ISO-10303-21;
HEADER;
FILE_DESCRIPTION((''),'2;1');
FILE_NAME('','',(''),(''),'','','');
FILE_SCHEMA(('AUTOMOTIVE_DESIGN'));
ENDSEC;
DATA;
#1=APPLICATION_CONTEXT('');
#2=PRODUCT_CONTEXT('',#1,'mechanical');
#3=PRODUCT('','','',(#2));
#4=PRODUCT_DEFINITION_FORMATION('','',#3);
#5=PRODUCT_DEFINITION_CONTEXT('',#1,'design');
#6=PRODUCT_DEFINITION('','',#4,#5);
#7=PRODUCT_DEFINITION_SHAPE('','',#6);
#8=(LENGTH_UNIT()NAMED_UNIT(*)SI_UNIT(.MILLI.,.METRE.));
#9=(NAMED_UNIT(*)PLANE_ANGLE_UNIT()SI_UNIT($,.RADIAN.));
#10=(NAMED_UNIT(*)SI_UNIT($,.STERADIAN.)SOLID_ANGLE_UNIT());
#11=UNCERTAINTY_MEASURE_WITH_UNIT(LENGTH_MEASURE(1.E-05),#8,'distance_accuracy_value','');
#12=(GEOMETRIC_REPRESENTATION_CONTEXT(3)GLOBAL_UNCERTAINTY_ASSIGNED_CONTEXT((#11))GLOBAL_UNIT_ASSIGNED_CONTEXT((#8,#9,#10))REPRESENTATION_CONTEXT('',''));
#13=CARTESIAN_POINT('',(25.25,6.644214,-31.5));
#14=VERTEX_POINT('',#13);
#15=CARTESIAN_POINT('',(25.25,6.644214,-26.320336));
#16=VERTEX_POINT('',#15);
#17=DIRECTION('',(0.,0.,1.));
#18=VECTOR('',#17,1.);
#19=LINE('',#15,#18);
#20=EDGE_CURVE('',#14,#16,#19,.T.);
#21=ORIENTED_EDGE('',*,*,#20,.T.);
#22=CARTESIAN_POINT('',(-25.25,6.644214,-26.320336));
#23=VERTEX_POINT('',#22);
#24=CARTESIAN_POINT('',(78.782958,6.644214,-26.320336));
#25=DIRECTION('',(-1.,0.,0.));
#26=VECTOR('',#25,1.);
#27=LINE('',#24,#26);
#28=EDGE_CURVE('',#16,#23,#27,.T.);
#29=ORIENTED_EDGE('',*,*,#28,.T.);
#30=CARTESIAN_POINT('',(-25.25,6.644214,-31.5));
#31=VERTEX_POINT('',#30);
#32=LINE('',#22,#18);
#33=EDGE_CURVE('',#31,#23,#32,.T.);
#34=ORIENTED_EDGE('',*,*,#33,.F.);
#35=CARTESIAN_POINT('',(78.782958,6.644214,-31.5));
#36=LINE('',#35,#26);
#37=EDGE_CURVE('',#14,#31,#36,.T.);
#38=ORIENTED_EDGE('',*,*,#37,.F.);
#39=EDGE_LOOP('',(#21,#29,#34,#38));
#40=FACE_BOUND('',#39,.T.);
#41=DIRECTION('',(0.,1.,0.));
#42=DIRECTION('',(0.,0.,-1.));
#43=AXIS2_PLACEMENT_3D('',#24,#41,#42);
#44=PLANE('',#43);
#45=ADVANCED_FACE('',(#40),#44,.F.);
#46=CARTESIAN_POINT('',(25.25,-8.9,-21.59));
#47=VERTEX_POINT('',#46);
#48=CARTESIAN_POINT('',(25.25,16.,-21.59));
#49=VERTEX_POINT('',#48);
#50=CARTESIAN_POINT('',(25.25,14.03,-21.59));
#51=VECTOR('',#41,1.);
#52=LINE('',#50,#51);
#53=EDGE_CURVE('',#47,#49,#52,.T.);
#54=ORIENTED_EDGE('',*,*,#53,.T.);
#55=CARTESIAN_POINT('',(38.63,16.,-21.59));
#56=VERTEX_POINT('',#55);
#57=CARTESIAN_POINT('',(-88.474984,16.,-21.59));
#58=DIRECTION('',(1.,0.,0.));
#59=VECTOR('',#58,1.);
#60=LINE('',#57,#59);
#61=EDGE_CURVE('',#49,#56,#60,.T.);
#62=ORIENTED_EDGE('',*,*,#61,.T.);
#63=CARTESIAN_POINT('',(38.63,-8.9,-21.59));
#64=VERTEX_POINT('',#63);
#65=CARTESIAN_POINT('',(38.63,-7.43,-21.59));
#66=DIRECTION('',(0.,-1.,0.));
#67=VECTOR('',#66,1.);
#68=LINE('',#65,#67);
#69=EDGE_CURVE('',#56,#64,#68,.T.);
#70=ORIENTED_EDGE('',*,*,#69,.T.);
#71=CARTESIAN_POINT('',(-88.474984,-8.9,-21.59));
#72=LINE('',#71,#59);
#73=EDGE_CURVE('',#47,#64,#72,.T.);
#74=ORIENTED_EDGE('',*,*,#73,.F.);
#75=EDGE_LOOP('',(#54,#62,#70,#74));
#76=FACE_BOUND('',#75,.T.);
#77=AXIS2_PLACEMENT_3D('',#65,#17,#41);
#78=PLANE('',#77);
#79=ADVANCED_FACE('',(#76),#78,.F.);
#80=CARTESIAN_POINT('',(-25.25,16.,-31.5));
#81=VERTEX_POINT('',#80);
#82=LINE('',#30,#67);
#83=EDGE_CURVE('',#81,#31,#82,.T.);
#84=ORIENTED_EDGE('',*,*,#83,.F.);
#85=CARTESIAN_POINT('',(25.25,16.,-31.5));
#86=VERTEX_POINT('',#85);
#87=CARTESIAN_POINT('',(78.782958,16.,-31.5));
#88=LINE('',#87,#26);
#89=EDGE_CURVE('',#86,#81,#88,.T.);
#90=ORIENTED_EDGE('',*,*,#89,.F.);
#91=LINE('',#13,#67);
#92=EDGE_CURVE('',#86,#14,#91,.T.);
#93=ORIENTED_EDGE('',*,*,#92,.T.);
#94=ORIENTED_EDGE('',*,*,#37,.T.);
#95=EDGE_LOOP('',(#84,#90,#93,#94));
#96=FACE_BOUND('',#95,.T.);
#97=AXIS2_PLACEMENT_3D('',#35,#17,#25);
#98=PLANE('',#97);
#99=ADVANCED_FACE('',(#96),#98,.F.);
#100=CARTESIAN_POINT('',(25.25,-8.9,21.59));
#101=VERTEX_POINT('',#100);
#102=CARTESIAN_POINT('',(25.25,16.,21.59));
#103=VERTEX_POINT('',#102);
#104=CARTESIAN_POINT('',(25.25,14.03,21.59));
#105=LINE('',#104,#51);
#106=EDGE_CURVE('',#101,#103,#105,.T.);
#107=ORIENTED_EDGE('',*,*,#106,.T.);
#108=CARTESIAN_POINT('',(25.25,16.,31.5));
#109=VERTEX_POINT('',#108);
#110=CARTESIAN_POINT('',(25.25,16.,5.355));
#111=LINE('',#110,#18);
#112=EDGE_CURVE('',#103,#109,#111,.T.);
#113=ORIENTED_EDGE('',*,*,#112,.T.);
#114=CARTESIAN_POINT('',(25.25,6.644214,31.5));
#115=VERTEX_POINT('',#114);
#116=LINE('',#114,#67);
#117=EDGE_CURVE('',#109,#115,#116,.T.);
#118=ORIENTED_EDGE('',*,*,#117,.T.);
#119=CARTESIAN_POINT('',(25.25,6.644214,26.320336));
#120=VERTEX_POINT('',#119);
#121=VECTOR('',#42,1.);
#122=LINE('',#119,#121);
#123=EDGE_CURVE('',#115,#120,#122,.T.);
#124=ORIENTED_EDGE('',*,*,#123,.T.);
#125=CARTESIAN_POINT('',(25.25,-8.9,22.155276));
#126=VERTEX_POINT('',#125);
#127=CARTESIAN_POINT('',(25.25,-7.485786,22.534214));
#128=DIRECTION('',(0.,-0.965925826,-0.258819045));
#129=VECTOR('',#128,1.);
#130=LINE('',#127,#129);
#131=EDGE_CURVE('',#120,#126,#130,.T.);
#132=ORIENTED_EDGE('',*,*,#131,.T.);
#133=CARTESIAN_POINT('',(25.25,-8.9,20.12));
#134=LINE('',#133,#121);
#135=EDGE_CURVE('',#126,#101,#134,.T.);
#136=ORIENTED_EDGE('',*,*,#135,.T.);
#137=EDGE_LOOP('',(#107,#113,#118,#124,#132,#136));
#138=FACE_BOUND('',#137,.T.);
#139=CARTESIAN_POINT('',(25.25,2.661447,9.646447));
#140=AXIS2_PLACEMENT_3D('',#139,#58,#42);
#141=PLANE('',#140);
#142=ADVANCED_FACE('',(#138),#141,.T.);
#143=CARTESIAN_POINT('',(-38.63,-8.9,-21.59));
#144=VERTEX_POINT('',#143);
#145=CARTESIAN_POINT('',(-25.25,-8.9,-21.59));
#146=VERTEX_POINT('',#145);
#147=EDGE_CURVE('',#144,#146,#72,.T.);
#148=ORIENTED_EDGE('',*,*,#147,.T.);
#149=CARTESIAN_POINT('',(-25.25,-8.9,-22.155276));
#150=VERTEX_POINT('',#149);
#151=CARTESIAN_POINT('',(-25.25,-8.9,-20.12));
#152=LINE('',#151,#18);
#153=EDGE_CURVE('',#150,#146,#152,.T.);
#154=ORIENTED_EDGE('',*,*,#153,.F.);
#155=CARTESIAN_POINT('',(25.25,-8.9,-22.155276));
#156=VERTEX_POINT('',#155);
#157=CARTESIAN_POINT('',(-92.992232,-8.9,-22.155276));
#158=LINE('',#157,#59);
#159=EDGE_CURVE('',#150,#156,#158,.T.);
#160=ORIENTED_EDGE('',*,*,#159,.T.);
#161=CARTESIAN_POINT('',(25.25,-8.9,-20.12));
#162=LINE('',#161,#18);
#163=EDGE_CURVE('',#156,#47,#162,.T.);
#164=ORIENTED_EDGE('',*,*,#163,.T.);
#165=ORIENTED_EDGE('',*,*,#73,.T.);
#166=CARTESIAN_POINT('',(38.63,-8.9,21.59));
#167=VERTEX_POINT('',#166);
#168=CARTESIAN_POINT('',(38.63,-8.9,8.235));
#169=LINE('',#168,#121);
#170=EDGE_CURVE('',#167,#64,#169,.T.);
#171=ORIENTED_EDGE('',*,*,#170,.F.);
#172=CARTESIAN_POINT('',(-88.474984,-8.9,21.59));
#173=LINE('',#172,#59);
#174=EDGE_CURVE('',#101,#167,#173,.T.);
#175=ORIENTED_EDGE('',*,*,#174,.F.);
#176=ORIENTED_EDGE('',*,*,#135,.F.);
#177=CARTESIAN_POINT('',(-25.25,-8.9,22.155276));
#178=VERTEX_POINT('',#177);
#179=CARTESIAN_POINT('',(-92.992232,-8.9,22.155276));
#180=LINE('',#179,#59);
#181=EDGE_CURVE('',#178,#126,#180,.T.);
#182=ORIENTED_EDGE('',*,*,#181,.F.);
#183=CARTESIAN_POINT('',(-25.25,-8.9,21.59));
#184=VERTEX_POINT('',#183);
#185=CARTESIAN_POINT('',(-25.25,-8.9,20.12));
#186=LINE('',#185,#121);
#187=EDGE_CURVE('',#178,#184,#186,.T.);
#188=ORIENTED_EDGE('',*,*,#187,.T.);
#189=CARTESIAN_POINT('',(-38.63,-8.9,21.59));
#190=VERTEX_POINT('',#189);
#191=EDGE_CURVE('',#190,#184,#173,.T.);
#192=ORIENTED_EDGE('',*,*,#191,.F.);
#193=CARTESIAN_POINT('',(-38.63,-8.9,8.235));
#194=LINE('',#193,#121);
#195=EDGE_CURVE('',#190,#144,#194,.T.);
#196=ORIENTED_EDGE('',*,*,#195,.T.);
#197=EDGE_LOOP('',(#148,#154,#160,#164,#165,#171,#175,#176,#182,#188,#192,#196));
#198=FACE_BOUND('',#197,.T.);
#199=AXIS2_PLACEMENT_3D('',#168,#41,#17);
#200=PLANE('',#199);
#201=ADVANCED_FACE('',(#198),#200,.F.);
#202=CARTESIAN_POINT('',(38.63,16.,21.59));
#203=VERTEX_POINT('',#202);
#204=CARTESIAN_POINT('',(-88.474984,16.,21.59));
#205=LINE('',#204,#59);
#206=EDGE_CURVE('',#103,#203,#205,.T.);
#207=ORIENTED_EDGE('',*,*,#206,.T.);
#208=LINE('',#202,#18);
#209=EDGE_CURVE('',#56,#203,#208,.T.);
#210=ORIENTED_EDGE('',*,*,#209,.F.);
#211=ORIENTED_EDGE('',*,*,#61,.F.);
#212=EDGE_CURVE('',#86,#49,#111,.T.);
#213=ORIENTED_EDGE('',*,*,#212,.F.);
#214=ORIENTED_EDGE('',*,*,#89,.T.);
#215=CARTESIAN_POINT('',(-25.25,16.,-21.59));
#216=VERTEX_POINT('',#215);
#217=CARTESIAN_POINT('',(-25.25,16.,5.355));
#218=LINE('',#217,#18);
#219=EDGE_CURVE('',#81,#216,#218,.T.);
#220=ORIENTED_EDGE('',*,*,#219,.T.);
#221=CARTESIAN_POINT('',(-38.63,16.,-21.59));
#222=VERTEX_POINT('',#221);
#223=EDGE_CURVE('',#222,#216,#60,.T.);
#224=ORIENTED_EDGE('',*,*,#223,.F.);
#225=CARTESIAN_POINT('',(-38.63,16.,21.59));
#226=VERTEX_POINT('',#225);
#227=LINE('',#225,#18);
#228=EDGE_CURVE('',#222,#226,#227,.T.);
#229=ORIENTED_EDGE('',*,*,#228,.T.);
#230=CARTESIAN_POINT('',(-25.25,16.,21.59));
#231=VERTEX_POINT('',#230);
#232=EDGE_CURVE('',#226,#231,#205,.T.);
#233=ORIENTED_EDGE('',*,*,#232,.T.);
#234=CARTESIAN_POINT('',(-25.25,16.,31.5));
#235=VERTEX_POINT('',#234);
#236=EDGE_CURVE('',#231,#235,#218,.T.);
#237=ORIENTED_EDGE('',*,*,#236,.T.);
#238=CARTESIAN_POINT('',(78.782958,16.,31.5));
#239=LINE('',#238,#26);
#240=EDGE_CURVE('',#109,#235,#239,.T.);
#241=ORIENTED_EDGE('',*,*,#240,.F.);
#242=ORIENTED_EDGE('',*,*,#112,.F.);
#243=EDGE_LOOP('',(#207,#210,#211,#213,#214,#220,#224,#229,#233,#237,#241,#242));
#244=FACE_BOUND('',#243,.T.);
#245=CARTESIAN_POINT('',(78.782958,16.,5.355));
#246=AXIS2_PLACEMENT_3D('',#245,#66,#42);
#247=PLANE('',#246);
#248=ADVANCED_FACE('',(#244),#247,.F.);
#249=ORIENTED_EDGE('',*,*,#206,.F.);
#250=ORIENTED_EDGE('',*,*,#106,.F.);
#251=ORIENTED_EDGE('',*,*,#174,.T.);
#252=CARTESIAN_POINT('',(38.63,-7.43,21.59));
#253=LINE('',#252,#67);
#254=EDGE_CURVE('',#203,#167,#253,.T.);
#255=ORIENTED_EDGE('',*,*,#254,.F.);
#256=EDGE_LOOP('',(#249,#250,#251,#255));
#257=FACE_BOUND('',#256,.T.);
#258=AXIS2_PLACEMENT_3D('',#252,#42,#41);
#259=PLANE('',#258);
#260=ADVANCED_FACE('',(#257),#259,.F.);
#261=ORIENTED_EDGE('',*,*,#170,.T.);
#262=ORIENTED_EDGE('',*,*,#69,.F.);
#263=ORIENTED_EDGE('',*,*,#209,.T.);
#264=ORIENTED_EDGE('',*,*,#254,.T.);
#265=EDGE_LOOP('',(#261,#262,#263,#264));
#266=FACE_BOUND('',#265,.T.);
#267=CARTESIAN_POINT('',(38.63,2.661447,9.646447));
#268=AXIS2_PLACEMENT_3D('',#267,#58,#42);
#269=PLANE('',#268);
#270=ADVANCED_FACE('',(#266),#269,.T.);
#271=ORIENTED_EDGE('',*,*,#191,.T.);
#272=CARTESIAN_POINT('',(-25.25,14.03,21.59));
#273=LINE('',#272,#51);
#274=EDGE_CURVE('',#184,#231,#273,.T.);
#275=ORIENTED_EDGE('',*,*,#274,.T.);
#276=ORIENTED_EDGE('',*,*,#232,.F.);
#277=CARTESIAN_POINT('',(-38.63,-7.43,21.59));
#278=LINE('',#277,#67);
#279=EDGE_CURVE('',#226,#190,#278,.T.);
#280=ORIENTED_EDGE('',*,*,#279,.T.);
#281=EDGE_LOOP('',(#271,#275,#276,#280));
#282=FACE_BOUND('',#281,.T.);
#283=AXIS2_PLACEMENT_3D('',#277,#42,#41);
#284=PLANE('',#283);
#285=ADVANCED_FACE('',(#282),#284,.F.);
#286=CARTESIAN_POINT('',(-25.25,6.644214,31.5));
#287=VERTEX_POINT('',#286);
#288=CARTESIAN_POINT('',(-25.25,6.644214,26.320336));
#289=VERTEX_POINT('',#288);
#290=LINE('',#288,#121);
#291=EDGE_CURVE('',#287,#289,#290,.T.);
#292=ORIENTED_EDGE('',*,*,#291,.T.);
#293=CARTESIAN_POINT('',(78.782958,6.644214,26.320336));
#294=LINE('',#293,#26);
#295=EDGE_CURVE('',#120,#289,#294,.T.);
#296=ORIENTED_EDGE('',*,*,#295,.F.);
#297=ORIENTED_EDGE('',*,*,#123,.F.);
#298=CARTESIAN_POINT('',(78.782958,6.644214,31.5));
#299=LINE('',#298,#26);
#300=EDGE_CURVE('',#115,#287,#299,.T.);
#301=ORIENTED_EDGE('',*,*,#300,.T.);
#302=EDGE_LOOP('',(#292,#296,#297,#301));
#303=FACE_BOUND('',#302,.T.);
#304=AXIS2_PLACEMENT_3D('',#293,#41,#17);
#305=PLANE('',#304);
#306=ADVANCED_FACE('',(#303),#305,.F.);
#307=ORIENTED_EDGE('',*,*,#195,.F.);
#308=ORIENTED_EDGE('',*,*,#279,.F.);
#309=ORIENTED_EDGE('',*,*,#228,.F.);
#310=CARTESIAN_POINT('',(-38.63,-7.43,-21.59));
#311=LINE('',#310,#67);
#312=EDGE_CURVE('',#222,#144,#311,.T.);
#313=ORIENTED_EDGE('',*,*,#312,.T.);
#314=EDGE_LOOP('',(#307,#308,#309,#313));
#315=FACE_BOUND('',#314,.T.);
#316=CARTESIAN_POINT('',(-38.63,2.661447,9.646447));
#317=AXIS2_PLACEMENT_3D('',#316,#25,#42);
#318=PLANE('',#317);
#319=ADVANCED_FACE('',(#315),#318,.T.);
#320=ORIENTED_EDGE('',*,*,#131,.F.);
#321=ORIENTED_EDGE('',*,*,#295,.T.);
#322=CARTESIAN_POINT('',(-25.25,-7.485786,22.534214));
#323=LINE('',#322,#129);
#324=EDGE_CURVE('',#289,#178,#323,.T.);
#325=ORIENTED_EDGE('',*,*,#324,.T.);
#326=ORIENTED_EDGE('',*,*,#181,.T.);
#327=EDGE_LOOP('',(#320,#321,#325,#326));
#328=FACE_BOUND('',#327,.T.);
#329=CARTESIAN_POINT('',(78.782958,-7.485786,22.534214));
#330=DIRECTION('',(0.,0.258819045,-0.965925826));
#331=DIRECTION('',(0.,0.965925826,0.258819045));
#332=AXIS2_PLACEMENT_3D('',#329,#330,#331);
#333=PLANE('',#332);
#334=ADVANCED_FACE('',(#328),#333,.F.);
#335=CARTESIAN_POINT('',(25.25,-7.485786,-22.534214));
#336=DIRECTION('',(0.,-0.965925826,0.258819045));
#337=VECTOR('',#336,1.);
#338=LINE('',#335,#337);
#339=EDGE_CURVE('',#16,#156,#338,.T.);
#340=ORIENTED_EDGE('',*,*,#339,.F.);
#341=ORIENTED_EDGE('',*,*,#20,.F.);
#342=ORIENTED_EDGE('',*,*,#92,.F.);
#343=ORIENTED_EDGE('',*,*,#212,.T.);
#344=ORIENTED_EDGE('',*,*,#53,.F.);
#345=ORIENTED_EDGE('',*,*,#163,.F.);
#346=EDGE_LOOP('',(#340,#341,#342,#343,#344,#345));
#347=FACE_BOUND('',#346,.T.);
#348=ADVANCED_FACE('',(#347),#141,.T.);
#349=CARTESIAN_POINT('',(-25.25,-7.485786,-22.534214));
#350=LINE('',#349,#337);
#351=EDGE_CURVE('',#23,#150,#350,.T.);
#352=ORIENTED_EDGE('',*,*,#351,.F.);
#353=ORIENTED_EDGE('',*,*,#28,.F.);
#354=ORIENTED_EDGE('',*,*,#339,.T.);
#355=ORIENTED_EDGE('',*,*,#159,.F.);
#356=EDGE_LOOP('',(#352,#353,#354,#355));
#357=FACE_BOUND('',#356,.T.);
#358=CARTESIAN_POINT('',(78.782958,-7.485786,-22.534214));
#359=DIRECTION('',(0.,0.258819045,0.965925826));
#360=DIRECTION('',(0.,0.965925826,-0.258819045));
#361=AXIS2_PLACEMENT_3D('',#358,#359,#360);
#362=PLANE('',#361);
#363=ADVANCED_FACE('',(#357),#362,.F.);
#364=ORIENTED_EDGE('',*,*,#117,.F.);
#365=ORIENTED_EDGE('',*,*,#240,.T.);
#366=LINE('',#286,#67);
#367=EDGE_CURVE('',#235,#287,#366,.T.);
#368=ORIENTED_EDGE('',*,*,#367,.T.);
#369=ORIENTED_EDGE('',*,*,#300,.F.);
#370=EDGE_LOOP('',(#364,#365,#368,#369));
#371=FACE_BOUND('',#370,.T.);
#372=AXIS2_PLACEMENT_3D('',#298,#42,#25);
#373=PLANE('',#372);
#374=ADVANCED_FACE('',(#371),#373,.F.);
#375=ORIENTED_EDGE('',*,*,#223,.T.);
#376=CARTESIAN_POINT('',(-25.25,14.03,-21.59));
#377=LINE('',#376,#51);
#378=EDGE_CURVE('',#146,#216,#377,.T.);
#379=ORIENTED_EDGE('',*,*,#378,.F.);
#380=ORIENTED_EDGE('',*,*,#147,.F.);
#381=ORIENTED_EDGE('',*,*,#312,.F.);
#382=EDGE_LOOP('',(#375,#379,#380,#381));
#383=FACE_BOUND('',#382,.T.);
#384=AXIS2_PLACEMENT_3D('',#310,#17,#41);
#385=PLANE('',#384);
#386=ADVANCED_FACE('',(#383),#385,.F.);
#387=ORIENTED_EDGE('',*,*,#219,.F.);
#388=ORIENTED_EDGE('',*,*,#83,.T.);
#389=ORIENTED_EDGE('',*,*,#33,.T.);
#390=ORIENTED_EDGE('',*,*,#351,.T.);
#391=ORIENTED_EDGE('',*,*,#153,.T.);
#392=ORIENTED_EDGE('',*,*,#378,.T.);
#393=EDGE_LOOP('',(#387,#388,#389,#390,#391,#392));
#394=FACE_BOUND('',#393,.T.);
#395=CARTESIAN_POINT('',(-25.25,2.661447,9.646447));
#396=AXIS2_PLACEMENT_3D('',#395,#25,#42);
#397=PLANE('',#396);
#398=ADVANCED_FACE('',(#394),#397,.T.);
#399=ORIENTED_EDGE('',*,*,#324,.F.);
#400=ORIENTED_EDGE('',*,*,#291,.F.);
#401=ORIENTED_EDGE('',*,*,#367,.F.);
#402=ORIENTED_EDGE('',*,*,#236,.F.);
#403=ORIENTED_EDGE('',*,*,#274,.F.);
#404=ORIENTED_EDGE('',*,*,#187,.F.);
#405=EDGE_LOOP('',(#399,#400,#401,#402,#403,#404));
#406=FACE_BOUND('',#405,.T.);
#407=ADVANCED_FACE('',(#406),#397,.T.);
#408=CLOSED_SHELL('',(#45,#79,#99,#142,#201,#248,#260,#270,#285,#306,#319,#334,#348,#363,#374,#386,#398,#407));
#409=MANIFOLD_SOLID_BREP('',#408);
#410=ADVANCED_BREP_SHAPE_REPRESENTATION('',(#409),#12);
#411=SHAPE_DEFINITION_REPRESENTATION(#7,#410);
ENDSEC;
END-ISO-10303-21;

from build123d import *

# Parameters (mm, degrees)
BOSS_EXTRUDE1_DEPTH = 38.63
BOSS_EXTRUDE2_DEPTH = 25.25
SKETCH13_W          = 26.671300946
SKETCH13_H          = 17.817336211
BOSS_EXTRUDE3_DEPTH = 77.26
BOSS_EXTRUDE4_DEPTH = 50.5
SKETCH15_W          = 43.18
SKETCH15_H          = 24.9
BOSS_EXTRUDE5_DEPTH = 77.26


with BuildPart() as part:
    # Sketch2 → Boss-Extrude1 (new body)
    with BuildSketch(Plane(origin=(0, 0, 0), x_dir=(0, 0, -1), z_dir=(1, 0, 0))):
        with BuildLine():
            Line((-8.235, -8.9), (-20.12, -8.9))
            Line((-20.12, -8.9), (-21.59, -7.43))
            Line((-21.59, -7.43), (-21.59, 14.03))
            Line((-21.59, 14.03), (-20.12, 15.5))
            Line((-20.12, 15.5), (0, 15.5))
            Line((0, 15.5), (0, 3.015))
            Line((0, 3.015), (-7.65, 3.015))
            Line((-7.65, 3.015), (-8.003553391, 2.661446609))
            ThreePointArc((-8.003553391, 2.661446609), (-8.484745674, 1.499745674), (-9.646446609, 1.018553391))
            Line((-9.646446609, 1.018553391), (-10, 0.665))
            Line((-10, 0.665), (-10, -0.665))
            Line((-10, -0.665), (-9.646446609, -1.018553391))
            ThreePointArc((-9.646446609, -1.018553391), (-8.484745674, -1.499745674), (-8.003553391, -2.661446609))
            Line((-8.003553391, -2.661446609), (-6.5, -4.165))
            Line((-6.5, -4.165), (-6.5, -7.165))
            Line((-6.5, -7.165), (-8.235, -8.9))
        make_face()
    extrude(amount=BOSS_EXTRUDE1_DEPTH)

    # Sketch3 → Boss-Extrude2 (add)
    with BuildSketch(Plane(origin=(0, 0, 0), x_dir=(0, 0, -1), z_dir=(1, 0, 0))):
        Polygon((-20.12, -8.9), (-21.12, -8.9), (-22.534213562, -7.485786438), (-26.320335651, 6.644213562), (-31.5, 6.644213562), (-31.5, 16), (-20.855, 16), (-20.855, 15.6), (-5.355, 15.6), (-5.355, 16), (0, 16), (0, 15.5), (-20.12, 15.5), (-21.59, 14.03), (-21.59, -7.43), align=None)
    extrude(amount=BOSS_EXTRUDE2_DEPTH)

    # Mirror1: part across plane


with BuildPart() as part_1:
    add(part.part)
    add(part.part.mirror(Plane.XY))

    # Mirror2: part across plane


with BuildPart() as part_2:
    add(part_1.part)
    add(part_1.part.mirror(Plane(origin=(0, 0, 0), x_dir=(0, 0, 1), z_dir=(1, 0, 0))))

    # Sketch13 → Boss-Extrude3 (add)
    with BuildSketch(Plane(origin=(38.63, 0, 0), x_dir=(0, 0, -1), z_dir=(1, 0, 0))):
        with Locations((0.075172776, 0.008668105)):
            Rectangle(SKETCH13_W, SKETCH13_H)
    extrude(amount=-BOSS_EXTRUDE3_DEPTH)

    # Sketch14 → Boss-Extrude4 (add)
    with BuildSketch(Plane(origin=(25.25, 0, 0), x_dir=(0, 0, -1), z_dir=(1, 0, 0))):
        Polygon((-31.5, 16), (31.5, 16), (31.5, 6.644213562), (26.320335651, 6.644213562), (22.15527618, -8.9), (-22.15527618, -8.9), (-26.320335651, 6.644213562), (-31.5, 6.644213562), align=None)
    extrude(amount=-BOSS_EXTRUDE4_DEPTH)

    # Sketch15 → Boss-Extrude5 (add)
    with BuildSketch(Plane(origin=(38.63, 0, 0), x_dir=(0, 0, -1), z_dir=(1, 0, 0))):
        with Locations((0, 3.55)):
            Rectangle(SKETCH15_W, SKETCH15_H)
    extrude(amount=-BOSS_EXTRUDE5_DEPTH)


solid = part_2.part
